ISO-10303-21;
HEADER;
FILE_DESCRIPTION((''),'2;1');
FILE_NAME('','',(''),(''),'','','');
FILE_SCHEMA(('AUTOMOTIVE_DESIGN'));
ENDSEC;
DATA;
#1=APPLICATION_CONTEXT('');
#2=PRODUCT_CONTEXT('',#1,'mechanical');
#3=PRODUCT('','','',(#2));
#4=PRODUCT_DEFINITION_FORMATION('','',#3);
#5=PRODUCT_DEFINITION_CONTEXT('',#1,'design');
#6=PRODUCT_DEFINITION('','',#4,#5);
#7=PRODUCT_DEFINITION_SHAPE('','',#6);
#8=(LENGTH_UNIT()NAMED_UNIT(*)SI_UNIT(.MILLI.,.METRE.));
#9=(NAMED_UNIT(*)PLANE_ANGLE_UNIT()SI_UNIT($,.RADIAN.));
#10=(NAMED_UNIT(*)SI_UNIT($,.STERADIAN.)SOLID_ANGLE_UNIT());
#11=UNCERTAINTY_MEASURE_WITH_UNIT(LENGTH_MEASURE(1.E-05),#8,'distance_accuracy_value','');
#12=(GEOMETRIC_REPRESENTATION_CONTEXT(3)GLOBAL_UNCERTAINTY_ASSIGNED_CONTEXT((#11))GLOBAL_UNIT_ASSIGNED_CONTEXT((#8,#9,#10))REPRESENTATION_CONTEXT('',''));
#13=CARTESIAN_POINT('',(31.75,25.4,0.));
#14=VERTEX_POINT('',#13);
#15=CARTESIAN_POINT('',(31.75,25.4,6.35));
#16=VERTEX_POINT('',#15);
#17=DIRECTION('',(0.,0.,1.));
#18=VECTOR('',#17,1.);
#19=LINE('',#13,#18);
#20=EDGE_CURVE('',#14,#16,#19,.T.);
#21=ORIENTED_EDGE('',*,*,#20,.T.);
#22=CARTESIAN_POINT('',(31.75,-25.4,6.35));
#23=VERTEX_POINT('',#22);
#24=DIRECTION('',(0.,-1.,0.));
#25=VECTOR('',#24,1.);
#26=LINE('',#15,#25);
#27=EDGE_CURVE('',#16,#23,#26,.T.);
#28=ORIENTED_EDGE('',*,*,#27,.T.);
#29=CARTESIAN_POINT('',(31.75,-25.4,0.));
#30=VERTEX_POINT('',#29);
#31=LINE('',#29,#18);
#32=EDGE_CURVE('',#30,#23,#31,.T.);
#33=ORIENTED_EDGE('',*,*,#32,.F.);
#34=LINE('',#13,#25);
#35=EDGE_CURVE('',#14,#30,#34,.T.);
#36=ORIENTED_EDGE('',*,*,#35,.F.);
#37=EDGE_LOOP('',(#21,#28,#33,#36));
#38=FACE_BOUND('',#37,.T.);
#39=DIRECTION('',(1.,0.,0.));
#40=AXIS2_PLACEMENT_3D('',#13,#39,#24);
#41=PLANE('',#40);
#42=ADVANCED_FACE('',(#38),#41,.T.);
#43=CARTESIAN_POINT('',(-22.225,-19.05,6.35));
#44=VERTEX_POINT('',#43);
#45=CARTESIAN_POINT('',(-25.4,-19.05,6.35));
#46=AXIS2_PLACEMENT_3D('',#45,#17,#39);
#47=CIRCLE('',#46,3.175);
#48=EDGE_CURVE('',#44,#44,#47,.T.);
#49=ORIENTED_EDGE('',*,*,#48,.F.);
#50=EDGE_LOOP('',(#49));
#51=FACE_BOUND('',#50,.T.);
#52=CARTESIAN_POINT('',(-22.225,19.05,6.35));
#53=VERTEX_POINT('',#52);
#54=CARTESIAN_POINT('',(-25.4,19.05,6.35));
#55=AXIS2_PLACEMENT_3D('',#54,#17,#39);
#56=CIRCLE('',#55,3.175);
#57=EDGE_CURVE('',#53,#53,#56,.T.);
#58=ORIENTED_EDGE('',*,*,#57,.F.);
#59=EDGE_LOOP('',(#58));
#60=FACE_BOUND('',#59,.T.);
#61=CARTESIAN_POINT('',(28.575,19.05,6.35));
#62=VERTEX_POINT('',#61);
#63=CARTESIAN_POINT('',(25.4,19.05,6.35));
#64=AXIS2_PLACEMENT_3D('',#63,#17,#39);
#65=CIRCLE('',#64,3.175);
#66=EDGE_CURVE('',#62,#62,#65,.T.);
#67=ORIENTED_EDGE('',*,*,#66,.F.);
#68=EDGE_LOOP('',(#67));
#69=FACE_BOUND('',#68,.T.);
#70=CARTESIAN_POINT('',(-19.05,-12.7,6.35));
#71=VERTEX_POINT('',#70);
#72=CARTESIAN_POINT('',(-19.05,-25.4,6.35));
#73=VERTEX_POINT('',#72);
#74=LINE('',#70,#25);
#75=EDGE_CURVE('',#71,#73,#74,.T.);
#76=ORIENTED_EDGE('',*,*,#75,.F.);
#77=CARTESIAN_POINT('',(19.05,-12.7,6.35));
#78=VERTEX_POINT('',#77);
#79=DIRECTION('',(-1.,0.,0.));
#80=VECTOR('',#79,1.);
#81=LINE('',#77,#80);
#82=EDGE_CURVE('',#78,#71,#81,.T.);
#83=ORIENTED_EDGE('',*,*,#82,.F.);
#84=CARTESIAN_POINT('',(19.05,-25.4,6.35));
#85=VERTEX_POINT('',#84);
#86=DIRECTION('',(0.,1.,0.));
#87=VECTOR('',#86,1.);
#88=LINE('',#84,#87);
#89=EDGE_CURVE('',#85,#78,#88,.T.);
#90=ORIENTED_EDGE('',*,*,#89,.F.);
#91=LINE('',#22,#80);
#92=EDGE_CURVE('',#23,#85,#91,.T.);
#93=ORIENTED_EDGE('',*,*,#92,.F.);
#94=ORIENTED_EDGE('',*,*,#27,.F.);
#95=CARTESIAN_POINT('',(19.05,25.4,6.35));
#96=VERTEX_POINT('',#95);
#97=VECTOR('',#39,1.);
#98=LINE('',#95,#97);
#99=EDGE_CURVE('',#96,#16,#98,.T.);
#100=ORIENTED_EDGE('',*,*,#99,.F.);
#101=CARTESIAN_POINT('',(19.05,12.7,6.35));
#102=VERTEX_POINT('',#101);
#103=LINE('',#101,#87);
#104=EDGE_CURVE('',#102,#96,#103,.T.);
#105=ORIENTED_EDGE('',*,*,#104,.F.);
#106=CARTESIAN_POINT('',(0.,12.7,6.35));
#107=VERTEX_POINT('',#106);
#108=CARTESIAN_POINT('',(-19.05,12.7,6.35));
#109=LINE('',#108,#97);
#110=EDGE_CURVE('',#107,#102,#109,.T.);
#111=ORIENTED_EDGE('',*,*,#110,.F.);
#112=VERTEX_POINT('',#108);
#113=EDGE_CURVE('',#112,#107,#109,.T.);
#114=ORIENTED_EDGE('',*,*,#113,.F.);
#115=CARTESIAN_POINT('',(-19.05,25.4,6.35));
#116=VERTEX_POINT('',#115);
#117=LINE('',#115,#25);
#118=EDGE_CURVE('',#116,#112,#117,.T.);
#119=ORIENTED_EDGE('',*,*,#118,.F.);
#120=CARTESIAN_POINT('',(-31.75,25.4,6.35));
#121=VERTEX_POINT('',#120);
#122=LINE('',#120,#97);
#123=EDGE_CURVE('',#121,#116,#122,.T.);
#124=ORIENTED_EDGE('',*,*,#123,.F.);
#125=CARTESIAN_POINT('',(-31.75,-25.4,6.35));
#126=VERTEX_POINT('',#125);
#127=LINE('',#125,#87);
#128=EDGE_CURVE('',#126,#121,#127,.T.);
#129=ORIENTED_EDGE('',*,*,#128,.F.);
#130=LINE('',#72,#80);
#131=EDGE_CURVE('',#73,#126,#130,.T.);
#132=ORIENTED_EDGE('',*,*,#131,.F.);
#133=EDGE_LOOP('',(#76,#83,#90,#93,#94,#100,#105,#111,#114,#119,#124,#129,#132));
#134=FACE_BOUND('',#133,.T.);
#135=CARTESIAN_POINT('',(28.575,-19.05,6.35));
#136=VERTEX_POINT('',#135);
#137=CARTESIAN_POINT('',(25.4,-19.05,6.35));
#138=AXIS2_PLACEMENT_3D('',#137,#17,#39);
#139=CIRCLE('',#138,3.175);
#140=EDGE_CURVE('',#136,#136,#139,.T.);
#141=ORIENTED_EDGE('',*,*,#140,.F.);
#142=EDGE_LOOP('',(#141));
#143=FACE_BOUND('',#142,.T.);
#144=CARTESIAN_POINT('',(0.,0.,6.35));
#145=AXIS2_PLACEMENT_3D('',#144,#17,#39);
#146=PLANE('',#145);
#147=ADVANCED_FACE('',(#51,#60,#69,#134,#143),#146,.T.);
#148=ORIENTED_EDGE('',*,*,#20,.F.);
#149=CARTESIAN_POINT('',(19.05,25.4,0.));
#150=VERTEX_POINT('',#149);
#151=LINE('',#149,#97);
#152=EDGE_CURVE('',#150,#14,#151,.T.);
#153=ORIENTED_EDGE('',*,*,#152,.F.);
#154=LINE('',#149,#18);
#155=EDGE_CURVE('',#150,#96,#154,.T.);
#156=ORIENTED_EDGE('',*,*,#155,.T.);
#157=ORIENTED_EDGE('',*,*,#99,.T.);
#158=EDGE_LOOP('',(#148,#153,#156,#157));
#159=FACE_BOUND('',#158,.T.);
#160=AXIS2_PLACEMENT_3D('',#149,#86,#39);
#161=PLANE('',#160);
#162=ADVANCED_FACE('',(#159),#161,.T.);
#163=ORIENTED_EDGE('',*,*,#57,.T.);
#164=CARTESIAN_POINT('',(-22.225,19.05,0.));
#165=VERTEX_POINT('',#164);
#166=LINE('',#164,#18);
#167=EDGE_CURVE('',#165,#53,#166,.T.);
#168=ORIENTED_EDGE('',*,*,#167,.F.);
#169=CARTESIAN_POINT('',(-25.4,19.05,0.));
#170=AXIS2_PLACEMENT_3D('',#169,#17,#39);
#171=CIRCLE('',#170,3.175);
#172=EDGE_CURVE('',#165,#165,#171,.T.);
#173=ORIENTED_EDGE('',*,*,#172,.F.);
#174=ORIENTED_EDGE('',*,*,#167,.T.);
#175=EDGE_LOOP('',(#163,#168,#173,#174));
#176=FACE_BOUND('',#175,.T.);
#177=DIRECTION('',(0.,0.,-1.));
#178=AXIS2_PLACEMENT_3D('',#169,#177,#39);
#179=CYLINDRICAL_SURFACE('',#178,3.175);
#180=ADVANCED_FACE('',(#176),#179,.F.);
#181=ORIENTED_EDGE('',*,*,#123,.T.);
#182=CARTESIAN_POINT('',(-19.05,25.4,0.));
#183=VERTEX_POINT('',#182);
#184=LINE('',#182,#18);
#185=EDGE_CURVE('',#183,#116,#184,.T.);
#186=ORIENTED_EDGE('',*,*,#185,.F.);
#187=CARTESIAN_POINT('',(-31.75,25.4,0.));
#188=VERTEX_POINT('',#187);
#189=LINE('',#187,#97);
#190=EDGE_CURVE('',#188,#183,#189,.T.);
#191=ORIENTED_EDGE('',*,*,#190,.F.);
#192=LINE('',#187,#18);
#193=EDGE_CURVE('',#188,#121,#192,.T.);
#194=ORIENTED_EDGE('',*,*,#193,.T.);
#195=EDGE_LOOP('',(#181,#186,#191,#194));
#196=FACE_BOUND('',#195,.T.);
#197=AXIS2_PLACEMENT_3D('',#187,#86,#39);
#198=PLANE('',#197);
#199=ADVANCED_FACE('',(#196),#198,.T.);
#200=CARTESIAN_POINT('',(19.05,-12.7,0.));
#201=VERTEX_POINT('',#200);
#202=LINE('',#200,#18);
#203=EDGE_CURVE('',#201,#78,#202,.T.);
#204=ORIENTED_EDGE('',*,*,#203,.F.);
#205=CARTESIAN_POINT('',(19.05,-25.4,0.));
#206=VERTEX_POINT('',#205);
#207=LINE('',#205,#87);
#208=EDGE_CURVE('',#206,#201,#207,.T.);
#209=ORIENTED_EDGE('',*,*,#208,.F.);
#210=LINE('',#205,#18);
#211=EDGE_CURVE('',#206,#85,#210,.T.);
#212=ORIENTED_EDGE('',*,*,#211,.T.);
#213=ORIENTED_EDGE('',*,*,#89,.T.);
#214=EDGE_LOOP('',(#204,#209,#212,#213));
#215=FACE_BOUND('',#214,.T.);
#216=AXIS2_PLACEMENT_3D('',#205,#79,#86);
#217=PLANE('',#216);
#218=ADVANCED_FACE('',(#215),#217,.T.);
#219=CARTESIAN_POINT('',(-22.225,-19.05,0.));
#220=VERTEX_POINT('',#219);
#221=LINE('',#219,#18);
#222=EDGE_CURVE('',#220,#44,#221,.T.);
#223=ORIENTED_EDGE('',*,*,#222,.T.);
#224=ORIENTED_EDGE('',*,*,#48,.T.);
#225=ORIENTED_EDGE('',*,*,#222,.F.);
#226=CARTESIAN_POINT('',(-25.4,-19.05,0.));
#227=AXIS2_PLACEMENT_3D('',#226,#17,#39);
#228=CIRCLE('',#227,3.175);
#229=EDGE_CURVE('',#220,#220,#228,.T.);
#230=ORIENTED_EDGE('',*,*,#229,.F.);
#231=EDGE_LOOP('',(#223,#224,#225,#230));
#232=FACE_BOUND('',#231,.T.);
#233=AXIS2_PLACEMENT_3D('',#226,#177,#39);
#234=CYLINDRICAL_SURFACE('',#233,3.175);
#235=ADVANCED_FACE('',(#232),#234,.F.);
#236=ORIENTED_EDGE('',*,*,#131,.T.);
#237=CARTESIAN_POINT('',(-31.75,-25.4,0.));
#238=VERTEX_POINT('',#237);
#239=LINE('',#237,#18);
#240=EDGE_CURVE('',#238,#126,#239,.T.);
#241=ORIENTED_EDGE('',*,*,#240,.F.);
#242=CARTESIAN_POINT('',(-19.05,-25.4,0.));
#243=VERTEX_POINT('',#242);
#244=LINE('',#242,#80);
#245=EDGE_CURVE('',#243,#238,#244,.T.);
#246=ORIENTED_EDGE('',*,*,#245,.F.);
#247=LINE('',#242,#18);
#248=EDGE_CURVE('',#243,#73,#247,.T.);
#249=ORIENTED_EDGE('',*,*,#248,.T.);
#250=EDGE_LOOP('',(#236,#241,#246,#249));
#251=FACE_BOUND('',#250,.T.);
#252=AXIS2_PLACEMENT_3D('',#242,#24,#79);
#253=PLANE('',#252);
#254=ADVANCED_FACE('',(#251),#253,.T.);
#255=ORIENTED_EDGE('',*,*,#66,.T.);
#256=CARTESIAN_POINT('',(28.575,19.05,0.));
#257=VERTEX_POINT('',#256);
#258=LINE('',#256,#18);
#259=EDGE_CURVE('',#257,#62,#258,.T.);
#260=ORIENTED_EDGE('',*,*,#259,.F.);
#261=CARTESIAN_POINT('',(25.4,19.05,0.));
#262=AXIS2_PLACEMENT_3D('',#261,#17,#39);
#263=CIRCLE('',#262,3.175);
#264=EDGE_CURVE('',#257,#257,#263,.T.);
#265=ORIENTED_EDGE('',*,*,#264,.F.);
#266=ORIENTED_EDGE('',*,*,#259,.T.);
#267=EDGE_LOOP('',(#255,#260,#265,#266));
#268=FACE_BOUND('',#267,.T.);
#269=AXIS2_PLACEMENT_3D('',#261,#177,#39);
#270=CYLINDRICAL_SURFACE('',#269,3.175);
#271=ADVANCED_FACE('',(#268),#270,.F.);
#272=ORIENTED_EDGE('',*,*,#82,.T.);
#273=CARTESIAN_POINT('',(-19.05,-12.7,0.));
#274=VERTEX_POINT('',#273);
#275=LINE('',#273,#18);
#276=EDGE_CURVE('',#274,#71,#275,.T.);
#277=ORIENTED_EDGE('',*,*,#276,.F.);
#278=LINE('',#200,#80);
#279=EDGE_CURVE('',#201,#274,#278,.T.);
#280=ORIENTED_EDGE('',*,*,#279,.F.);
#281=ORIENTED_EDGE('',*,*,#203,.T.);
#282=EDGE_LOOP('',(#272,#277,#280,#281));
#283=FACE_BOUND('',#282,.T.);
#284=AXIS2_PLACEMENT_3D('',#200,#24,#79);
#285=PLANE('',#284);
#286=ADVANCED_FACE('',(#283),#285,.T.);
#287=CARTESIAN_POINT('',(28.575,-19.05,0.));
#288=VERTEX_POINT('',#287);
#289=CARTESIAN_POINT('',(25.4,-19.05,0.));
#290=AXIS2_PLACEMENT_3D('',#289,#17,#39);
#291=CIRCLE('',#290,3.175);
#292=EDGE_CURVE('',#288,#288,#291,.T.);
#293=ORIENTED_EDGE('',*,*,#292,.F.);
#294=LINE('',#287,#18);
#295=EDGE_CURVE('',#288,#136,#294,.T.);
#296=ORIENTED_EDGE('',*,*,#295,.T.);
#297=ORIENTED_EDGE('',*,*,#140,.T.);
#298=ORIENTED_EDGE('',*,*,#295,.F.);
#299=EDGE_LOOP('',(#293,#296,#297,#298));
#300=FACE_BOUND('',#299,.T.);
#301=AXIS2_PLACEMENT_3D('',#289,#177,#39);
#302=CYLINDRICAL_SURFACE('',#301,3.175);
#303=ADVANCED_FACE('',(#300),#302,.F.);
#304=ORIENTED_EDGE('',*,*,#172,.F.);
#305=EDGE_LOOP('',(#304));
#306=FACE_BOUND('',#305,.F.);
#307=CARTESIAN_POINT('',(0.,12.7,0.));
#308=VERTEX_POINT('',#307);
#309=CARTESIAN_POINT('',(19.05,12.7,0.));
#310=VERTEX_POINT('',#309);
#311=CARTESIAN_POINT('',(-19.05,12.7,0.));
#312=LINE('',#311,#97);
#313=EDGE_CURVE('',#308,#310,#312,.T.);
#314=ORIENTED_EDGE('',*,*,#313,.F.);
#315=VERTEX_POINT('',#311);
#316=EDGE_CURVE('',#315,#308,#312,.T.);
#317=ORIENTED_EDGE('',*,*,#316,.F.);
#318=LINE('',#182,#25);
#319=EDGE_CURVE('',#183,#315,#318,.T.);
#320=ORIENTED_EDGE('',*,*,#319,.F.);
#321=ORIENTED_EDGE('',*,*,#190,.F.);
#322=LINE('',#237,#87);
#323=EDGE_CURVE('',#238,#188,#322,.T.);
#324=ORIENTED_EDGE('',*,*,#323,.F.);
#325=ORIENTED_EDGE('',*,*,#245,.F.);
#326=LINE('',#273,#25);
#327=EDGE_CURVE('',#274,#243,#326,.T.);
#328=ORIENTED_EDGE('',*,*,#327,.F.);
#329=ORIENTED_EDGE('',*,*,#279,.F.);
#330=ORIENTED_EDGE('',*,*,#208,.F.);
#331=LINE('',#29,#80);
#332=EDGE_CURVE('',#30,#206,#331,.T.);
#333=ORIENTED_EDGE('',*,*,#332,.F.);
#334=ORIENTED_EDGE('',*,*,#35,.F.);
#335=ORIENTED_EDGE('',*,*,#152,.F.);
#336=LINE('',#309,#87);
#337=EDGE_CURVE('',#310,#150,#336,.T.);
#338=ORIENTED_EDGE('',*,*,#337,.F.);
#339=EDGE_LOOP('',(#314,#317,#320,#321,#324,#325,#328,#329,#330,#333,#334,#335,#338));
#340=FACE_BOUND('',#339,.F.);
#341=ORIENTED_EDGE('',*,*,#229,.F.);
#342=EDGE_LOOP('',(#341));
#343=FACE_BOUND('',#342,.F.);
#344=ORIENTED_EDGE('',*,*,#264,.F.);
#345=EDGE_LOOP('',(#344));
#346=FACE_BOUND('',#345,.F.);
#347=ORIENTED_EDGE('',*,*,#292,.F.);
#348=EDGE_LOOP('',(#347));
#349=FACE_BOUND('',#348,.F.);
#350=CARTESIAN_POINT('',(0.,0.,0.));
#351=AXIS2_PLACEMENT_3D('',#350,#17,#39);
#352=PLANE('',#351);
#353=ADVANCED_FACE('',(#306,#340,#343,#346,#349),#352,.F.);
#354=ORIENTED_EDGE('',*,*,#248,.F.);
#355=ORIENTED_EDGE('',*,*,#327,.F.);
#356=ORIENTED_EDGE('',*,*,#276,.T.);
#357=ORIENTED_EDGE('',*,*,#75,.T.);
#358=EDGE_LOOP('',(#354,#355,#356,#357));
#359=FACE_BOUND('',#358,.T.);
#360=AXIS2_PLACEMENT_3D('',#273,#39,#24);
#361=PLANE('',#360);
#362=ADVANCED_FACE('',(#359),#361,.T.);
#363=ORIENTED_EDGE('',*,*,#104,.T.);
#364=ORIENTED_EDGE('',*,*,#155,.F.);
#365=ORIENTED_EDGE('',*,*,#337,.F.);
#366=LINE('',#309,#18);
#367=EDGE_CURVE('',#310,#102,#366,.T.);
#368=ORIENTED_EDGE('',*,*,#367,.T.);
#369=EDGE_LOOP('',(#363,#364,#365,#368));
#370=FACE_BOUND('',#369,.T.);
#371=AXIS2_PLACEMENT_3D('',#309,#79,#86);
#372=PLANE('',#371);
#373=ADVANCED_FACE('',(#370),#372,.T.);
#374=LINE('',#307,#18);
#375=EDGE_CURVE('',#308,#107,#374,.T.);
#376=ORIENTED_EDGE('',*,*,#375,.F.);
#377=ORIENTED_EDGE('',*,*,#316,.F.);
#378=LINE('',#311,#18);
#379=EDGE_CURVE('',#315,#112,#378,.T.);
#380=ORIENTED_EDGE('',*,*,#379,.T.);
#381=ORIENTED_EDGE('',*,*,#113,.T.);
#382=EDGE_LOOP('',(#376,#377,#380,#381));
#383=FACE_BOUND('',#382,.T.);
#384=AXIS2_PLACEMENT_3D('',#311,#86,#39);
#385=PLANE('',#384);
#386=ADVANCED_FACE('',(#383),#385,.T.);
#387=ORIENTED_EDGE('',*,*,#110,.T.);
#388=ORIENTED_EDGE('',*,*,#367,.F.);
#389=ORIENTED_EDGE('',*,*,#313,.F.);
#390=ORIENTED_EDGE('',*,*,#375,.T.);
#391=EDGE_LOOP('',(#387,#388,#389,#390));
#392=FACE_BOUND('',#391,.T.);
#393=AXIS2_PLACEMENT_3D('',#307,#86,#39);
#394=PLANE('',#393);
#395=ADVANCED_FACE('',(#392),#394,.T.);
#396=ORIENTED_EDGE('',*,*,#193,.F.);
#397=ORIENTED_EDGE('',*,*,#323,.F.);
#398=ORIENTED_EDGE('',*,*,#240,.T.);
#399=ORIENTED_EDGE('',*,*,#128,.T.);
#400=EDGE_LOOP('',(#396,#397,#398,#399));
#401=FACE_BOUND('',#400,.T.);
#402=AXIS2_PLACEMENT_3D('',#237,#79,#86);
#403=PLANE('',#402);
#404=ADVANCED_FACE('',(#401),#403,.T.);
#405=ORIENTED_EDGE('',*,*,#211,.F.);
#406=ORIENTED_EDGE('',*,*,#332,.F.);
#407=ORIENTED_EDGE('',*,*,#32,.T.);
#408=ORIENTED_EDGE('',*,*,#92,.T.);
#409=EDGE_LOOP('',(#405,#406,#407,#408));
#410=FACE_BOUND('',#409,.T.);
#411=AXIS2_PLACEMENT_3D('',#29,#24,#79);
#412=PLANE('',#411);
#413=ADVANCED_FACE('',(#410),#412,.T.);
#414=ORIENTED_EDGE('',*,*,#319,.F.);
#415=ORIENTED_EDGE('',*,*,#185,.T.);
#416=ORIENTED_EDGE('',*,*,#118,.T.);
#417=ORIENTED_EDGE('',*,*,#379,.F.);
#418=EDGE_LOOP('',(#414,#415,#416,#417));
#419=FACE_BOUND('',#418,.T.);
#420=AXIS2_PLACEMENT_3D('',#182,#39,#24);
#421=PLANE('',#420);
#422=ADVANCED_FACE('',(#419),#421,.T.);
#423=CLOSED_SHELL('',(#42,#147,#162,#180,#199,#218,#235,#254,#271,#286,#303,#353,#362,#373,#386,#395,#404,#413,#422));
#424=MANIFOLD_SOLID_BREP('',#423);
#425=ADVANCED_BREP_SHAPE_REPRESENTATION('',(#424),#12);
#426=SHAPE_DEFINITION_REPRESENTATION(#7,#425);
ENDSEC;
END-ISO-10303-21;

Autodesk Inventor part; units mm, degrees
ref_plane "YZ Plane" through (0, 0, 0) normal (1, 0, 0) x (0, 1, 0)
ref_plane "XZ Plane" through (0, 0, 0) normal (0, 1, 0) x (-1, 0, 0)
ref_plane "XY Plane" through (0, 0, 0) normal (0, 0, 1) x (1, 0, 0)
sketch "Sketch1" plane through (0, 0, 0) normal (0, 0, 1) x (1, 0, 0)
  line L0 (-31.75, -25.4) -> (-31.75, 25.4)
  line L1 (31.75, 25.4) -> (31.75, -25.4)
  line L2 (31.75, -25.4) -> (-31.75, 25.4) construction
  line L3 (-31.75, -25.4) -> (31.75, 25.4) construction
  line L4 (-14.1411, 0) -> (14.1411, 0)
  line L5 (0, 15.3796) -> (0, -12.4523)
  line L6 (-19.05, 25.4) -> (-19.05, 12.7)
  line L7 (-19.05, 12.7) -> (19.05, 12.7)
  line L8 (19.05, 12.7) -> (19.05, 25.4)
  line L9 (-31.75, 25.4) -> (-19.05, 25.4)
  line L10 (19.05, 25.4) -> (31.75, 25.4)
  circle A0 centre (-25.4, 19.05) radius 3.175
  circle A1 centre (25.4, 19.05) radius 3.175
  circle A2 centre (-25.4, -19.05) radius 3.175
  circle A3 centre (25.4, -19.05) radius 3.175
  line L11 (19.05, -25.4) -> (19.05, -12.7)
  line L12 (19.05, -12.7) -> (-19.05, -12.7)
  line L13 (-19.05, -12.7) -> (-19.05, -25.4)
  line L14 (31.75, -25.4) -> (19.05, -25.4)
  line L15 (-19.05, -25.4) -> (-31.75, -25.4)
  point P0 (0, 0)
  point P1 (0, 0)
  point P2 (0, 0)
  point P3 (0, 0)
  dimension "d2" = 38.1
  dimension "d3" = 50.8
  dimension "d4" = 63.5
  dimension "d6" = 38.1
  dimension "d7" = 12.7
  dimension "d10" = 6.35
  dimension "d11" = 12.7
  dimension "d12" = 38.1
  dimension "d13" = 50.8
extrude "Extrusion1" add sketch "Sketch1" along normal blind 6.35
equation "\"d11\" = d7"
equation "\"d12\" = d6"
properties part number "Stepper_Motor_Clamp"
